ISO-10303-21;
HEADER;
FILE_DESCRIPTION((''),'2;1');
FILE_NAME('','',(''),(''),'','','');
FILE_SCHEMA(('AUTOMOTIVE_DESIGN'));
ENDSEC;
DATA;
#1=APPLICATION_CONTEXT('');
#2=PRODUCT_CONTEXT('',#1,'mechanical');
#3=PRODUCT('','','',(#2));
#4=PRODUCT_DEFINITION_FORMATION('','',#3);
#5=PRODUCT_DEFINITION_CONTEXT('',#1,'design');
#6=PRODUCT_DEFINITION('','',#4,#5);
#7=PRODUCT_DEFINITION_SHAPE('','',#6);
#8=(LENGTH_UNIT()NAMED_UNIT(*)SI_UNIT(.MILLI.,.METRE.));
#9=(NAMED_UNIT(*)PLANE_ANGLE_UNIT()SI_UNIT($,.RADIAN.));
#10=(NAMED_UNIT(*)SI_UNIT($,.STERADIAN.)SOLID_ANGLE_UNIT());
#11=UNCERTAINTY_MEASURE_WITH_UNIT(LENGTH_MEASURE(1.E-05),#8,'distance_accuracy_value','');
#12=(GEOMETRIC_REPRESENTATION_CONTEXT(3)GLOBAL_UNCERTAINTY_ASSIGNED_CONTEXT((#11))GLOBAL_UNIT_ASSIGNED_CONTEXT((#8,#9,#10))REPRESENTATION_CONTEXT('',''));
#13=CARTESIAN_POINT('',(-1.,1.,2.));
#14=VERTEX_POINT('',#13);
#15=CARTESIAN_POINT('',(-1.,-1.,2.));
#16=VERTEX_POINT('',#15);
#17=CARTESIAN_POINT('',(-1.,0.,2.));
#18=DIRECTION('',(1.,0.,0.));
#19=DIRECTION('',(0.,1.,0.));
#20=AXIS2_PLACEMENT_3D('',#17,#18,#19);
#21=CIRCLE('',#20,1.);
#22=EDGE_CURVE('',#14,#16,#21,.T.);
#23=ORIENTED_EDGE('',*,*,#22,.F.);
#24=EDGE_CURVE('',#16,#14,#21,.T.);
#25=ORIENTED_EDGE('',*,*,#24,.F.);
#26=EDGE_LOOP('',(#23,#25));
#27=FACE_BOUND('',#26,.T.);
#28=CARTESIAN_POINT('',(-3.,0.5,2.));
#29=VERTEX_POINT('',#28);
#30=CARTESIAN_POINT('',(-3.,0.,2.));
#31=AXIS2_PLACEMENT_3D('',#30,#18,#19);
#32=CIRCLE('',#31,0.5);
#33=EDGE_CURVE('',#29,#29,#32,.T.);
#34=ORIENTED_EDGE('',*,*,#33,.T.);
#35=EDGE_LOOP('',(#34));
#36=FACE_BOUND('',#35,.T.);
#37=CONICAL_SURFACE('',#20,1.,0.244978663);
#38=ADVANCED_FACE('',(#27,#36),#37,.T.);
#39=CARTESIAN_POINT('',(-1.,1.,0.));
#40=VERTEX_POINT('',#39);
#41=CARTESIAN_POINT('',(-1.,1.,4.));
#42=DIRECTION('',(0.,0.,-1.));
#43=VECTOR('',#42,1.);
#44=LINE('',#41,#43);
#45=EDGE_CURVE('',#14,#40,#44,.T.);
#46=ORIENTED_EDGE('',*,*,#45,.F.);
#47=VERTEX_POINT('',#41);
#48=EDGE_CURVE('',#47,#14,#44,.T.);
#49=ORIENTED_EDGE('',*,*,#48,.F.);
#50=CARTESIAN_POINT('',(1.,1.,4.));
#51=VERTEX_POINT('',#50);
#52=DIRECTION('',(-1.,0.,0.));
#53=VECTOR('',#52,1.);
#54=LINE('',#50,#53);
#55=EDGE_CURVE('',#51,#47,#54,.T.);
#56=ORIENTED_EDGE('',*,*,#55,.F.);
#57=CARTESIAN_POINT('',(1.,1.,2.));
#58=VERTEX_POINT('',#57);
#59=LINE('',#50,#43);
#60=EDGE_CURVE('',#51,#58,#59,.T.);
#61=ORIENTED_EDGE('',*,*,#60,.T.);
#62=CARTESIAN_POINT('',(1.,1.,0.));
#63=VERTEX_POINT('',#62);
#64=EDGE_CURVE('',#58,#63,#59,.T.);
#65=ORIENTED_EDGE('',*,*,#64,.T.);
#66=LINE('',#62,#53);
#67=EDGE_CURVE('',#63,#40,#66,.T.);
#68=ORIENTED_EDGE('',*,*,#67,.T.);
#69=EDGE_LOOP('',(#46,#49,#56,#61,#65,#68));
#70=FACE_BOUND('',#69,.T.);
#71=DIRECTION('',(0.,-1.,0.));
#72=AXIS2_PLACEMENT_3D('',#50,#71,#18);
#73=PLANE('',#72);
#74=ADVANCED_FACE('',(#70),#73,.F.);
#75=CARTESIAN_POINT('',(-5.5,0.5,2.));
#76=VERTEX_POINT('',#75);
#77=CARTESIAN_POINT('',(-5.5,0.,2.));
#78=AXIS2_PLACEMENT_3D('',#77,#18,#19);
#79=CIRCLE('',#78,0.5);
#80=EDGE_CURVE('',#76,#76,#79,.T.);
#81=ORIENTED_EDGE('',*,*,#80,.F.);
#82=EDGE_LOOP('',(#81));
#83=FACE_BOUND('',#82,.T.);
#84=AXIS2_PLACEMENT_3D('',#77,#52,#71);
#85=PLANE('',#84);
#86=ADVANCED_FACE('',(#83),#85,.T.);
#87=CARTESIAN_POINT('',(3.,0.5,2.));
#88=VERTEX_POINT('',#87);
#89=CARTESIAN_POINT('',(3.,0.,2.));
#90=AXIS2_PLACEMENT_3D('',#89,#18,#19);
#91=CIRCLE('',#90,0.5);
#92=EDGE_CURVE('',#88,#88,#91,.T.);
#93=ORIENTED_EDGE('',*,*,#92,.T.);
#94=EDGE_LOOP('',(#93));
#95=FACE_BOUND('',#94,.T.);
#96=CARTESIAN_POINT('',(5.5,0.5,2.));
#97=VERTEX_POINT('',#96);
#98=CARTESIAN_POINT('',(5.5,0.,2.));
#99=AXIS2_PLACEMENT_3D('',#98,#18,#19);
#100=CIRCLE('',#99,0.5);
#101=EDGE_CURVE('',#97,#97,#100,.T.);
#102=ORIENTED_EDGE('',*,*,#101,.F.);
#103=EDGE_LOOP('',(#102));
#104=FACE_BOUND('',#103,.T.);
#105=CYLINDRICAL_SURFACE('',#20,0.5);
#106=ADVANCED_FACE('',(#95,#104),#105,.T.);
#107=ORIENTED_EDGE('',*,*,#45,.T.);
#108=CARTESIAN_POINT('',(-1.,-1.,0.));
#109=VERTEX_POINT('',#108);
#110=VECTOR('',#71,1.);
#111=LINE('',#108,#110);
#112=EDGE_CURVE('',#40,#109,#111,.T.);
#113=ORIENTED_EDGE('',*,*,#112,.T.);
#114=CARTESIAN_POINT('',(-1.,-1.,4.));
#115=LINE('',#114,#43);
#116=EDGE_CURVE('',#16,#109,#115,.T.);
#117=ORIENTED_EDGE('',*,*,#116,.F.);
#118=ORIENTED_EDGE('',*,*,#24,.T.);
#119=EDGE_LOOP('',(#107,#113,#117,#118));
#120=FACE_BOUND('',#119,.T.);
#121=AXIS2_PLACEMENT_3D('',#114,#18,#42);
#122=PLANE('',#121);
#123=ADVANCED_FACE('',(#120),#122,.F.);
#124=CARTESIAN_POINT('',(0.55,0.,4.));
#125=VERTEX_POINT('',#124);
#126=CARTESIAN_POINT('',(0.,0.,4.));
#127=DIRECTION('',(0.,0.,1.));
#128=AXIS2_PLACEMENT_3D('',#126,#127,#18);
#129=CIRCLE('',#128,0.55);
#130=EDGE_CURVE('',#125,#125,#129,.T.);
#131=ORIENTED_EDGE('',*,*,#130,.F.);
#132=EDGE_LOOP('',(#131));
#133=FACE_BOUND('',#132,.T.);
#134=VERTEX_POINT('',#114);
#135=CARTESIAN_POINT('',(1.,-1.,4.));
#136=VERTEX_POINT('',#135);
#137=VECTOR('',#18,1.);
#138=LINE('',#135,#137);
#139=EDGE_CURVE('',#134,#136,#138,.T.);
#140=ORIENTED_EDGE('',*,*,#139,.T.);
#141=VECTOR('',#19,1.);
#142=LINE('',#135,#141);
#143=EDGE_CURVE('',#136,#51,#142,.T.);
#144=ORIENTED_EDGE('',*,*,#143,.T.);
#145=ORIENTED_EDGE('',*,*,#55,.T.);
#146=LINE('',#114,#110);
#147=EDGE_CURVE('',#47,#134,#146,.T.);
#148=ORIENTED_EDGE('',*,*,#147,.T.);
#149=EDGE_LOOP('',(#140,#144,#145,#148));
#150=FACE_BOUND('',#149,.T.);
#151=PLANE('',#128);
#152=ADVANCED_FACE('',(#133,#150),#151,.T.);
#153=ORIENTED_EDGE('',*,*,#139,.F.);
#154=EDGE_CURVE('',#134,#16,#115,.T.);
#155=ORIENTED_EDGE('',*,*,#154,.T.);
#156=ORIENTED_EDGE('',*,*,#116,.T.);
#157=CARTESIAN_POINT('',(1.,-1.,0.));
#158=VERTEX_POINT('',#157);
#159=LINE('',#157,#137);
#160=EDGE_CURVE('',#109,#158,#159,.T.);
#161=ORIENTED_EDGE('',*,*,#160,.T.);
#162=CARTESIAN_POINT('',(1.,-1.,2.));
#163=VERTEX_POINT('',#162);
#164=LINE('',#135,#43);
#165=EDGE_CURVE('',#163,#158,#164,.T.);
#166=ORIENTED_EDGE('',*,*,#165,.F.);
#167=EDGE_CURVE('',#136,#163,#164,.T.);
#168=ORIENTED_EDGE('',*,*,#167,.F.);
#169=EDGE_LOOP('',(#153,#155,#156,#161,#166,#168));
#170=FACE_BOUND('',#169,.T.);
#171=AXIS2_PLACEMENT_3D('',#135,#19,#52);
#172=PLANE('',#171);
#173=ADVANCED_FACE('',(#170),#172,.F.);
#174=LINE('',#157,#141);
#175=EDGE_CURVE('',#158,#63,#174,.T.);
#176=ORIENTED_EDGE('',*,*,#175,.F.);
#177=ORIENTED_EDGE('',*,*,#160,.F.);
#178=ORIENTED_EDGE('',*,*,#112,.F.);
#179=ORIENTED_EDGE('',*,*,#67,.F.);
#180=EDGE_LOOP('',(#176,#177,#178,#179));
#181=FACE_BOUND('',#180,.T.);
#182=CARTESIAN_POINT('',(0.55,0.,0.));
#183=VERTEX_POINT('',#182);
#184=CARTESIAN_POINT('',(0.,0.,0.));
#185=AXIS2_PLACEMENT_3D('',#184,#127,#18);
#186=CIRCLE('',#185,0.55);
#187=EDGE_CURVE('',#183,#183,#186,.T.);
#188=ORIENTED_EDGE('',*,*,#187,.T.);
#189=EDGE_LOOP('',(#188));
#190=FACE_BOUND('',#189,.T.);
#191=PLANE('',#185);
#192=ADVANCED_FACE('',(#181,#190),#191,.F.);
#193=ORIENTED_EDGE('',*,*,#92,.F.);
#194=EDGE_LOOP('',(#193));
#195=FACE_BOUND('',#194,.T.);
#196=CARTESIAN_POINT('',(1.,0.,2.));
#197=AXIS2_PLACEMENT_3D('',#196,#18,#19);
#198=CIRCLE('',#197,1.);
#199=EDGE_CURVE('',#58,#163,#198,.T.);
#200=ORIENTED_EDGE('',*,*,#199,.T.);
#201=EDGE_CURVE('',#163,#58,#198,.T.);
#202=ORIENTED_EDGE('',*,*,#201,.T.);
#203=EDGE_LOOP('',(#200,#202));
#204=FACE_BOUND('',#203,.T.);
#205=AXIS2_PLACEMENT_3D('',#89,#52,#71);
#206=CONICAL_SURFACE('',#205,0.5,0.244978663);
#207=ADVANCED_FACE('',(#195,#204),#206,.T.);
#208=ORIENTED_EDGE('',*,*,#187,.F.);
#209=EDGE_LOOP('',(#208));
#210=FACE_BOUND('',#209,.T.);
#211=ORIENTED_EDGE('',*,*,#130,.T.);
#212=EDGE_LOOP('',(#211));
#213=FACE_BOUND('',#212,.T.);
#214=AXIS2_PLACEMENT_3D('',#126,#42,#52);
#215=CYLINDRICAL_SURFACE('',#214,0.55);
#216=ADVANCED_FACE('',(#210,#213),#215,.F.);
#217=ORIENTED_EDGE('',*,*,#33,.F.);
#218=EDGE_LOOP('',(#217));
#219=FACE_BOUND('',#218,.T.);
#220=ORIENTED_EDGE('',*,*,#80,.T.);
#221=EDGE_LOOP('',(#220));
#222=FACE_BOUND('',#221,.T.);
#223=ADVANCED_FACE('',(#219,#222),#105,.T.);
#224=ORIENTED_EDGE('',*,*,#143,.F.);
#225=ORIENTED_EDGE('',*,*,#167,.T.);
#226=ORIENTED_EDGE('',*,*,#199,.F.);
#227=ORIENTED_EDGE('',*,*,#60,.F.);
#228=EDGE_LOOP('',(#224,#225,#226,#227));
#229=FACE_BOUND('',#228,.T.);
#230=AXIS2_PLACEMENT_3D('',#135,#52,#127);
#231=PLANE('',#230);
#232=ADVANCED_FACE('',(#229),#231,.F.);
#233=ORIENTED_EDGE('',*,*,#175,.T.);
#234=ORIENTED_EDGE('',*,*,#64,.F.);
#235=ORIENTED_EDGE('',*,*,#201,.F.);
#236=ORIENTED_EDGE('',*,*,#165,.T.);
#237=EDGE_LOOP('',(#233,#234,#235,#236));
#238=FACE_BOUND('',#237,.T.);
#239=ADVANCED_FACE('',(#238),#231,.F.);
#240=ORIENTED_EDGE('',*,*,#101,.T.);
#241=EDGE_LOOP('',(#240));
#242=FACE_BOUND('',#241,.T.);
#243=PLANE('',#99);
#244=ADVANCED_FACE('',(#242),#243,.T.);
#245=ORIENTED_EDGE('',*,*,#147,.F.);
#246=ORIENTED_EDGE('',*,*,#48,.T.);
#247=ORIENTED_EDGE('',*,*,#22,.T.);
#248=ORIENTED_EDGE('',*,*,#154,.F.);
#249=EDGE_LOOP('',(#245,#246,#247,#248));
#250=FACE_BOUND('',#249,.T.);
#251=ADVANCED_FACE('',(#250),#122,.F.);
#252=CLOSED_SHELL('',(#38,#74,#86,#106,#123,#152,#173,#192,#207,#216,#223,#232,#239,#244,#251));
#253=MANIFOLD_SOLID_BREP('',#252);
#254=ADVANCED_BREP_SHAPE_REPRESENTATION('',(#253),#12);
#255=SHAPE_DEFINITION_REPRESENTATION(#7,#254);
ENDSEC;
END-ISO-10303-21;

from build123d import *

# Parameters (mm, degrees)
SKETCH1_W           = 2
SKETCH1_H           = 2
SKETCH1_R           = 0.55
BOSS_EXTRUDE1_DEPTH = 4


with BuildPart() as part:
    # Sketch1 → Boss-Extrude1 (new body)
    with BuildSketch(Plane.XY):
        Rectangle(SKETCH1_W, SKETCH1_H)
        Circle(SKETCH1_R, mode=Mode.SUBTRACT)
    extrude(amount=BOSS_EXTRUDE1_DEPTH)

    # 草图1 → 旋转1 (revolve)
    with BuildSketch(Plane.XY.offset(2)):
        Polygon((1, 1), (1, 0), (5.5, 0), (5.5, 0.5), (3, 0.5), align=None)
        Polygon((-1, 0), (-5.5, 0), (-5.5, 0.5), (-3, 0.5), (-1, 1), align=None)
    revolve(axis=Axis((-1, 0, 2), (-1, 0, 0)))


solid = part.part
